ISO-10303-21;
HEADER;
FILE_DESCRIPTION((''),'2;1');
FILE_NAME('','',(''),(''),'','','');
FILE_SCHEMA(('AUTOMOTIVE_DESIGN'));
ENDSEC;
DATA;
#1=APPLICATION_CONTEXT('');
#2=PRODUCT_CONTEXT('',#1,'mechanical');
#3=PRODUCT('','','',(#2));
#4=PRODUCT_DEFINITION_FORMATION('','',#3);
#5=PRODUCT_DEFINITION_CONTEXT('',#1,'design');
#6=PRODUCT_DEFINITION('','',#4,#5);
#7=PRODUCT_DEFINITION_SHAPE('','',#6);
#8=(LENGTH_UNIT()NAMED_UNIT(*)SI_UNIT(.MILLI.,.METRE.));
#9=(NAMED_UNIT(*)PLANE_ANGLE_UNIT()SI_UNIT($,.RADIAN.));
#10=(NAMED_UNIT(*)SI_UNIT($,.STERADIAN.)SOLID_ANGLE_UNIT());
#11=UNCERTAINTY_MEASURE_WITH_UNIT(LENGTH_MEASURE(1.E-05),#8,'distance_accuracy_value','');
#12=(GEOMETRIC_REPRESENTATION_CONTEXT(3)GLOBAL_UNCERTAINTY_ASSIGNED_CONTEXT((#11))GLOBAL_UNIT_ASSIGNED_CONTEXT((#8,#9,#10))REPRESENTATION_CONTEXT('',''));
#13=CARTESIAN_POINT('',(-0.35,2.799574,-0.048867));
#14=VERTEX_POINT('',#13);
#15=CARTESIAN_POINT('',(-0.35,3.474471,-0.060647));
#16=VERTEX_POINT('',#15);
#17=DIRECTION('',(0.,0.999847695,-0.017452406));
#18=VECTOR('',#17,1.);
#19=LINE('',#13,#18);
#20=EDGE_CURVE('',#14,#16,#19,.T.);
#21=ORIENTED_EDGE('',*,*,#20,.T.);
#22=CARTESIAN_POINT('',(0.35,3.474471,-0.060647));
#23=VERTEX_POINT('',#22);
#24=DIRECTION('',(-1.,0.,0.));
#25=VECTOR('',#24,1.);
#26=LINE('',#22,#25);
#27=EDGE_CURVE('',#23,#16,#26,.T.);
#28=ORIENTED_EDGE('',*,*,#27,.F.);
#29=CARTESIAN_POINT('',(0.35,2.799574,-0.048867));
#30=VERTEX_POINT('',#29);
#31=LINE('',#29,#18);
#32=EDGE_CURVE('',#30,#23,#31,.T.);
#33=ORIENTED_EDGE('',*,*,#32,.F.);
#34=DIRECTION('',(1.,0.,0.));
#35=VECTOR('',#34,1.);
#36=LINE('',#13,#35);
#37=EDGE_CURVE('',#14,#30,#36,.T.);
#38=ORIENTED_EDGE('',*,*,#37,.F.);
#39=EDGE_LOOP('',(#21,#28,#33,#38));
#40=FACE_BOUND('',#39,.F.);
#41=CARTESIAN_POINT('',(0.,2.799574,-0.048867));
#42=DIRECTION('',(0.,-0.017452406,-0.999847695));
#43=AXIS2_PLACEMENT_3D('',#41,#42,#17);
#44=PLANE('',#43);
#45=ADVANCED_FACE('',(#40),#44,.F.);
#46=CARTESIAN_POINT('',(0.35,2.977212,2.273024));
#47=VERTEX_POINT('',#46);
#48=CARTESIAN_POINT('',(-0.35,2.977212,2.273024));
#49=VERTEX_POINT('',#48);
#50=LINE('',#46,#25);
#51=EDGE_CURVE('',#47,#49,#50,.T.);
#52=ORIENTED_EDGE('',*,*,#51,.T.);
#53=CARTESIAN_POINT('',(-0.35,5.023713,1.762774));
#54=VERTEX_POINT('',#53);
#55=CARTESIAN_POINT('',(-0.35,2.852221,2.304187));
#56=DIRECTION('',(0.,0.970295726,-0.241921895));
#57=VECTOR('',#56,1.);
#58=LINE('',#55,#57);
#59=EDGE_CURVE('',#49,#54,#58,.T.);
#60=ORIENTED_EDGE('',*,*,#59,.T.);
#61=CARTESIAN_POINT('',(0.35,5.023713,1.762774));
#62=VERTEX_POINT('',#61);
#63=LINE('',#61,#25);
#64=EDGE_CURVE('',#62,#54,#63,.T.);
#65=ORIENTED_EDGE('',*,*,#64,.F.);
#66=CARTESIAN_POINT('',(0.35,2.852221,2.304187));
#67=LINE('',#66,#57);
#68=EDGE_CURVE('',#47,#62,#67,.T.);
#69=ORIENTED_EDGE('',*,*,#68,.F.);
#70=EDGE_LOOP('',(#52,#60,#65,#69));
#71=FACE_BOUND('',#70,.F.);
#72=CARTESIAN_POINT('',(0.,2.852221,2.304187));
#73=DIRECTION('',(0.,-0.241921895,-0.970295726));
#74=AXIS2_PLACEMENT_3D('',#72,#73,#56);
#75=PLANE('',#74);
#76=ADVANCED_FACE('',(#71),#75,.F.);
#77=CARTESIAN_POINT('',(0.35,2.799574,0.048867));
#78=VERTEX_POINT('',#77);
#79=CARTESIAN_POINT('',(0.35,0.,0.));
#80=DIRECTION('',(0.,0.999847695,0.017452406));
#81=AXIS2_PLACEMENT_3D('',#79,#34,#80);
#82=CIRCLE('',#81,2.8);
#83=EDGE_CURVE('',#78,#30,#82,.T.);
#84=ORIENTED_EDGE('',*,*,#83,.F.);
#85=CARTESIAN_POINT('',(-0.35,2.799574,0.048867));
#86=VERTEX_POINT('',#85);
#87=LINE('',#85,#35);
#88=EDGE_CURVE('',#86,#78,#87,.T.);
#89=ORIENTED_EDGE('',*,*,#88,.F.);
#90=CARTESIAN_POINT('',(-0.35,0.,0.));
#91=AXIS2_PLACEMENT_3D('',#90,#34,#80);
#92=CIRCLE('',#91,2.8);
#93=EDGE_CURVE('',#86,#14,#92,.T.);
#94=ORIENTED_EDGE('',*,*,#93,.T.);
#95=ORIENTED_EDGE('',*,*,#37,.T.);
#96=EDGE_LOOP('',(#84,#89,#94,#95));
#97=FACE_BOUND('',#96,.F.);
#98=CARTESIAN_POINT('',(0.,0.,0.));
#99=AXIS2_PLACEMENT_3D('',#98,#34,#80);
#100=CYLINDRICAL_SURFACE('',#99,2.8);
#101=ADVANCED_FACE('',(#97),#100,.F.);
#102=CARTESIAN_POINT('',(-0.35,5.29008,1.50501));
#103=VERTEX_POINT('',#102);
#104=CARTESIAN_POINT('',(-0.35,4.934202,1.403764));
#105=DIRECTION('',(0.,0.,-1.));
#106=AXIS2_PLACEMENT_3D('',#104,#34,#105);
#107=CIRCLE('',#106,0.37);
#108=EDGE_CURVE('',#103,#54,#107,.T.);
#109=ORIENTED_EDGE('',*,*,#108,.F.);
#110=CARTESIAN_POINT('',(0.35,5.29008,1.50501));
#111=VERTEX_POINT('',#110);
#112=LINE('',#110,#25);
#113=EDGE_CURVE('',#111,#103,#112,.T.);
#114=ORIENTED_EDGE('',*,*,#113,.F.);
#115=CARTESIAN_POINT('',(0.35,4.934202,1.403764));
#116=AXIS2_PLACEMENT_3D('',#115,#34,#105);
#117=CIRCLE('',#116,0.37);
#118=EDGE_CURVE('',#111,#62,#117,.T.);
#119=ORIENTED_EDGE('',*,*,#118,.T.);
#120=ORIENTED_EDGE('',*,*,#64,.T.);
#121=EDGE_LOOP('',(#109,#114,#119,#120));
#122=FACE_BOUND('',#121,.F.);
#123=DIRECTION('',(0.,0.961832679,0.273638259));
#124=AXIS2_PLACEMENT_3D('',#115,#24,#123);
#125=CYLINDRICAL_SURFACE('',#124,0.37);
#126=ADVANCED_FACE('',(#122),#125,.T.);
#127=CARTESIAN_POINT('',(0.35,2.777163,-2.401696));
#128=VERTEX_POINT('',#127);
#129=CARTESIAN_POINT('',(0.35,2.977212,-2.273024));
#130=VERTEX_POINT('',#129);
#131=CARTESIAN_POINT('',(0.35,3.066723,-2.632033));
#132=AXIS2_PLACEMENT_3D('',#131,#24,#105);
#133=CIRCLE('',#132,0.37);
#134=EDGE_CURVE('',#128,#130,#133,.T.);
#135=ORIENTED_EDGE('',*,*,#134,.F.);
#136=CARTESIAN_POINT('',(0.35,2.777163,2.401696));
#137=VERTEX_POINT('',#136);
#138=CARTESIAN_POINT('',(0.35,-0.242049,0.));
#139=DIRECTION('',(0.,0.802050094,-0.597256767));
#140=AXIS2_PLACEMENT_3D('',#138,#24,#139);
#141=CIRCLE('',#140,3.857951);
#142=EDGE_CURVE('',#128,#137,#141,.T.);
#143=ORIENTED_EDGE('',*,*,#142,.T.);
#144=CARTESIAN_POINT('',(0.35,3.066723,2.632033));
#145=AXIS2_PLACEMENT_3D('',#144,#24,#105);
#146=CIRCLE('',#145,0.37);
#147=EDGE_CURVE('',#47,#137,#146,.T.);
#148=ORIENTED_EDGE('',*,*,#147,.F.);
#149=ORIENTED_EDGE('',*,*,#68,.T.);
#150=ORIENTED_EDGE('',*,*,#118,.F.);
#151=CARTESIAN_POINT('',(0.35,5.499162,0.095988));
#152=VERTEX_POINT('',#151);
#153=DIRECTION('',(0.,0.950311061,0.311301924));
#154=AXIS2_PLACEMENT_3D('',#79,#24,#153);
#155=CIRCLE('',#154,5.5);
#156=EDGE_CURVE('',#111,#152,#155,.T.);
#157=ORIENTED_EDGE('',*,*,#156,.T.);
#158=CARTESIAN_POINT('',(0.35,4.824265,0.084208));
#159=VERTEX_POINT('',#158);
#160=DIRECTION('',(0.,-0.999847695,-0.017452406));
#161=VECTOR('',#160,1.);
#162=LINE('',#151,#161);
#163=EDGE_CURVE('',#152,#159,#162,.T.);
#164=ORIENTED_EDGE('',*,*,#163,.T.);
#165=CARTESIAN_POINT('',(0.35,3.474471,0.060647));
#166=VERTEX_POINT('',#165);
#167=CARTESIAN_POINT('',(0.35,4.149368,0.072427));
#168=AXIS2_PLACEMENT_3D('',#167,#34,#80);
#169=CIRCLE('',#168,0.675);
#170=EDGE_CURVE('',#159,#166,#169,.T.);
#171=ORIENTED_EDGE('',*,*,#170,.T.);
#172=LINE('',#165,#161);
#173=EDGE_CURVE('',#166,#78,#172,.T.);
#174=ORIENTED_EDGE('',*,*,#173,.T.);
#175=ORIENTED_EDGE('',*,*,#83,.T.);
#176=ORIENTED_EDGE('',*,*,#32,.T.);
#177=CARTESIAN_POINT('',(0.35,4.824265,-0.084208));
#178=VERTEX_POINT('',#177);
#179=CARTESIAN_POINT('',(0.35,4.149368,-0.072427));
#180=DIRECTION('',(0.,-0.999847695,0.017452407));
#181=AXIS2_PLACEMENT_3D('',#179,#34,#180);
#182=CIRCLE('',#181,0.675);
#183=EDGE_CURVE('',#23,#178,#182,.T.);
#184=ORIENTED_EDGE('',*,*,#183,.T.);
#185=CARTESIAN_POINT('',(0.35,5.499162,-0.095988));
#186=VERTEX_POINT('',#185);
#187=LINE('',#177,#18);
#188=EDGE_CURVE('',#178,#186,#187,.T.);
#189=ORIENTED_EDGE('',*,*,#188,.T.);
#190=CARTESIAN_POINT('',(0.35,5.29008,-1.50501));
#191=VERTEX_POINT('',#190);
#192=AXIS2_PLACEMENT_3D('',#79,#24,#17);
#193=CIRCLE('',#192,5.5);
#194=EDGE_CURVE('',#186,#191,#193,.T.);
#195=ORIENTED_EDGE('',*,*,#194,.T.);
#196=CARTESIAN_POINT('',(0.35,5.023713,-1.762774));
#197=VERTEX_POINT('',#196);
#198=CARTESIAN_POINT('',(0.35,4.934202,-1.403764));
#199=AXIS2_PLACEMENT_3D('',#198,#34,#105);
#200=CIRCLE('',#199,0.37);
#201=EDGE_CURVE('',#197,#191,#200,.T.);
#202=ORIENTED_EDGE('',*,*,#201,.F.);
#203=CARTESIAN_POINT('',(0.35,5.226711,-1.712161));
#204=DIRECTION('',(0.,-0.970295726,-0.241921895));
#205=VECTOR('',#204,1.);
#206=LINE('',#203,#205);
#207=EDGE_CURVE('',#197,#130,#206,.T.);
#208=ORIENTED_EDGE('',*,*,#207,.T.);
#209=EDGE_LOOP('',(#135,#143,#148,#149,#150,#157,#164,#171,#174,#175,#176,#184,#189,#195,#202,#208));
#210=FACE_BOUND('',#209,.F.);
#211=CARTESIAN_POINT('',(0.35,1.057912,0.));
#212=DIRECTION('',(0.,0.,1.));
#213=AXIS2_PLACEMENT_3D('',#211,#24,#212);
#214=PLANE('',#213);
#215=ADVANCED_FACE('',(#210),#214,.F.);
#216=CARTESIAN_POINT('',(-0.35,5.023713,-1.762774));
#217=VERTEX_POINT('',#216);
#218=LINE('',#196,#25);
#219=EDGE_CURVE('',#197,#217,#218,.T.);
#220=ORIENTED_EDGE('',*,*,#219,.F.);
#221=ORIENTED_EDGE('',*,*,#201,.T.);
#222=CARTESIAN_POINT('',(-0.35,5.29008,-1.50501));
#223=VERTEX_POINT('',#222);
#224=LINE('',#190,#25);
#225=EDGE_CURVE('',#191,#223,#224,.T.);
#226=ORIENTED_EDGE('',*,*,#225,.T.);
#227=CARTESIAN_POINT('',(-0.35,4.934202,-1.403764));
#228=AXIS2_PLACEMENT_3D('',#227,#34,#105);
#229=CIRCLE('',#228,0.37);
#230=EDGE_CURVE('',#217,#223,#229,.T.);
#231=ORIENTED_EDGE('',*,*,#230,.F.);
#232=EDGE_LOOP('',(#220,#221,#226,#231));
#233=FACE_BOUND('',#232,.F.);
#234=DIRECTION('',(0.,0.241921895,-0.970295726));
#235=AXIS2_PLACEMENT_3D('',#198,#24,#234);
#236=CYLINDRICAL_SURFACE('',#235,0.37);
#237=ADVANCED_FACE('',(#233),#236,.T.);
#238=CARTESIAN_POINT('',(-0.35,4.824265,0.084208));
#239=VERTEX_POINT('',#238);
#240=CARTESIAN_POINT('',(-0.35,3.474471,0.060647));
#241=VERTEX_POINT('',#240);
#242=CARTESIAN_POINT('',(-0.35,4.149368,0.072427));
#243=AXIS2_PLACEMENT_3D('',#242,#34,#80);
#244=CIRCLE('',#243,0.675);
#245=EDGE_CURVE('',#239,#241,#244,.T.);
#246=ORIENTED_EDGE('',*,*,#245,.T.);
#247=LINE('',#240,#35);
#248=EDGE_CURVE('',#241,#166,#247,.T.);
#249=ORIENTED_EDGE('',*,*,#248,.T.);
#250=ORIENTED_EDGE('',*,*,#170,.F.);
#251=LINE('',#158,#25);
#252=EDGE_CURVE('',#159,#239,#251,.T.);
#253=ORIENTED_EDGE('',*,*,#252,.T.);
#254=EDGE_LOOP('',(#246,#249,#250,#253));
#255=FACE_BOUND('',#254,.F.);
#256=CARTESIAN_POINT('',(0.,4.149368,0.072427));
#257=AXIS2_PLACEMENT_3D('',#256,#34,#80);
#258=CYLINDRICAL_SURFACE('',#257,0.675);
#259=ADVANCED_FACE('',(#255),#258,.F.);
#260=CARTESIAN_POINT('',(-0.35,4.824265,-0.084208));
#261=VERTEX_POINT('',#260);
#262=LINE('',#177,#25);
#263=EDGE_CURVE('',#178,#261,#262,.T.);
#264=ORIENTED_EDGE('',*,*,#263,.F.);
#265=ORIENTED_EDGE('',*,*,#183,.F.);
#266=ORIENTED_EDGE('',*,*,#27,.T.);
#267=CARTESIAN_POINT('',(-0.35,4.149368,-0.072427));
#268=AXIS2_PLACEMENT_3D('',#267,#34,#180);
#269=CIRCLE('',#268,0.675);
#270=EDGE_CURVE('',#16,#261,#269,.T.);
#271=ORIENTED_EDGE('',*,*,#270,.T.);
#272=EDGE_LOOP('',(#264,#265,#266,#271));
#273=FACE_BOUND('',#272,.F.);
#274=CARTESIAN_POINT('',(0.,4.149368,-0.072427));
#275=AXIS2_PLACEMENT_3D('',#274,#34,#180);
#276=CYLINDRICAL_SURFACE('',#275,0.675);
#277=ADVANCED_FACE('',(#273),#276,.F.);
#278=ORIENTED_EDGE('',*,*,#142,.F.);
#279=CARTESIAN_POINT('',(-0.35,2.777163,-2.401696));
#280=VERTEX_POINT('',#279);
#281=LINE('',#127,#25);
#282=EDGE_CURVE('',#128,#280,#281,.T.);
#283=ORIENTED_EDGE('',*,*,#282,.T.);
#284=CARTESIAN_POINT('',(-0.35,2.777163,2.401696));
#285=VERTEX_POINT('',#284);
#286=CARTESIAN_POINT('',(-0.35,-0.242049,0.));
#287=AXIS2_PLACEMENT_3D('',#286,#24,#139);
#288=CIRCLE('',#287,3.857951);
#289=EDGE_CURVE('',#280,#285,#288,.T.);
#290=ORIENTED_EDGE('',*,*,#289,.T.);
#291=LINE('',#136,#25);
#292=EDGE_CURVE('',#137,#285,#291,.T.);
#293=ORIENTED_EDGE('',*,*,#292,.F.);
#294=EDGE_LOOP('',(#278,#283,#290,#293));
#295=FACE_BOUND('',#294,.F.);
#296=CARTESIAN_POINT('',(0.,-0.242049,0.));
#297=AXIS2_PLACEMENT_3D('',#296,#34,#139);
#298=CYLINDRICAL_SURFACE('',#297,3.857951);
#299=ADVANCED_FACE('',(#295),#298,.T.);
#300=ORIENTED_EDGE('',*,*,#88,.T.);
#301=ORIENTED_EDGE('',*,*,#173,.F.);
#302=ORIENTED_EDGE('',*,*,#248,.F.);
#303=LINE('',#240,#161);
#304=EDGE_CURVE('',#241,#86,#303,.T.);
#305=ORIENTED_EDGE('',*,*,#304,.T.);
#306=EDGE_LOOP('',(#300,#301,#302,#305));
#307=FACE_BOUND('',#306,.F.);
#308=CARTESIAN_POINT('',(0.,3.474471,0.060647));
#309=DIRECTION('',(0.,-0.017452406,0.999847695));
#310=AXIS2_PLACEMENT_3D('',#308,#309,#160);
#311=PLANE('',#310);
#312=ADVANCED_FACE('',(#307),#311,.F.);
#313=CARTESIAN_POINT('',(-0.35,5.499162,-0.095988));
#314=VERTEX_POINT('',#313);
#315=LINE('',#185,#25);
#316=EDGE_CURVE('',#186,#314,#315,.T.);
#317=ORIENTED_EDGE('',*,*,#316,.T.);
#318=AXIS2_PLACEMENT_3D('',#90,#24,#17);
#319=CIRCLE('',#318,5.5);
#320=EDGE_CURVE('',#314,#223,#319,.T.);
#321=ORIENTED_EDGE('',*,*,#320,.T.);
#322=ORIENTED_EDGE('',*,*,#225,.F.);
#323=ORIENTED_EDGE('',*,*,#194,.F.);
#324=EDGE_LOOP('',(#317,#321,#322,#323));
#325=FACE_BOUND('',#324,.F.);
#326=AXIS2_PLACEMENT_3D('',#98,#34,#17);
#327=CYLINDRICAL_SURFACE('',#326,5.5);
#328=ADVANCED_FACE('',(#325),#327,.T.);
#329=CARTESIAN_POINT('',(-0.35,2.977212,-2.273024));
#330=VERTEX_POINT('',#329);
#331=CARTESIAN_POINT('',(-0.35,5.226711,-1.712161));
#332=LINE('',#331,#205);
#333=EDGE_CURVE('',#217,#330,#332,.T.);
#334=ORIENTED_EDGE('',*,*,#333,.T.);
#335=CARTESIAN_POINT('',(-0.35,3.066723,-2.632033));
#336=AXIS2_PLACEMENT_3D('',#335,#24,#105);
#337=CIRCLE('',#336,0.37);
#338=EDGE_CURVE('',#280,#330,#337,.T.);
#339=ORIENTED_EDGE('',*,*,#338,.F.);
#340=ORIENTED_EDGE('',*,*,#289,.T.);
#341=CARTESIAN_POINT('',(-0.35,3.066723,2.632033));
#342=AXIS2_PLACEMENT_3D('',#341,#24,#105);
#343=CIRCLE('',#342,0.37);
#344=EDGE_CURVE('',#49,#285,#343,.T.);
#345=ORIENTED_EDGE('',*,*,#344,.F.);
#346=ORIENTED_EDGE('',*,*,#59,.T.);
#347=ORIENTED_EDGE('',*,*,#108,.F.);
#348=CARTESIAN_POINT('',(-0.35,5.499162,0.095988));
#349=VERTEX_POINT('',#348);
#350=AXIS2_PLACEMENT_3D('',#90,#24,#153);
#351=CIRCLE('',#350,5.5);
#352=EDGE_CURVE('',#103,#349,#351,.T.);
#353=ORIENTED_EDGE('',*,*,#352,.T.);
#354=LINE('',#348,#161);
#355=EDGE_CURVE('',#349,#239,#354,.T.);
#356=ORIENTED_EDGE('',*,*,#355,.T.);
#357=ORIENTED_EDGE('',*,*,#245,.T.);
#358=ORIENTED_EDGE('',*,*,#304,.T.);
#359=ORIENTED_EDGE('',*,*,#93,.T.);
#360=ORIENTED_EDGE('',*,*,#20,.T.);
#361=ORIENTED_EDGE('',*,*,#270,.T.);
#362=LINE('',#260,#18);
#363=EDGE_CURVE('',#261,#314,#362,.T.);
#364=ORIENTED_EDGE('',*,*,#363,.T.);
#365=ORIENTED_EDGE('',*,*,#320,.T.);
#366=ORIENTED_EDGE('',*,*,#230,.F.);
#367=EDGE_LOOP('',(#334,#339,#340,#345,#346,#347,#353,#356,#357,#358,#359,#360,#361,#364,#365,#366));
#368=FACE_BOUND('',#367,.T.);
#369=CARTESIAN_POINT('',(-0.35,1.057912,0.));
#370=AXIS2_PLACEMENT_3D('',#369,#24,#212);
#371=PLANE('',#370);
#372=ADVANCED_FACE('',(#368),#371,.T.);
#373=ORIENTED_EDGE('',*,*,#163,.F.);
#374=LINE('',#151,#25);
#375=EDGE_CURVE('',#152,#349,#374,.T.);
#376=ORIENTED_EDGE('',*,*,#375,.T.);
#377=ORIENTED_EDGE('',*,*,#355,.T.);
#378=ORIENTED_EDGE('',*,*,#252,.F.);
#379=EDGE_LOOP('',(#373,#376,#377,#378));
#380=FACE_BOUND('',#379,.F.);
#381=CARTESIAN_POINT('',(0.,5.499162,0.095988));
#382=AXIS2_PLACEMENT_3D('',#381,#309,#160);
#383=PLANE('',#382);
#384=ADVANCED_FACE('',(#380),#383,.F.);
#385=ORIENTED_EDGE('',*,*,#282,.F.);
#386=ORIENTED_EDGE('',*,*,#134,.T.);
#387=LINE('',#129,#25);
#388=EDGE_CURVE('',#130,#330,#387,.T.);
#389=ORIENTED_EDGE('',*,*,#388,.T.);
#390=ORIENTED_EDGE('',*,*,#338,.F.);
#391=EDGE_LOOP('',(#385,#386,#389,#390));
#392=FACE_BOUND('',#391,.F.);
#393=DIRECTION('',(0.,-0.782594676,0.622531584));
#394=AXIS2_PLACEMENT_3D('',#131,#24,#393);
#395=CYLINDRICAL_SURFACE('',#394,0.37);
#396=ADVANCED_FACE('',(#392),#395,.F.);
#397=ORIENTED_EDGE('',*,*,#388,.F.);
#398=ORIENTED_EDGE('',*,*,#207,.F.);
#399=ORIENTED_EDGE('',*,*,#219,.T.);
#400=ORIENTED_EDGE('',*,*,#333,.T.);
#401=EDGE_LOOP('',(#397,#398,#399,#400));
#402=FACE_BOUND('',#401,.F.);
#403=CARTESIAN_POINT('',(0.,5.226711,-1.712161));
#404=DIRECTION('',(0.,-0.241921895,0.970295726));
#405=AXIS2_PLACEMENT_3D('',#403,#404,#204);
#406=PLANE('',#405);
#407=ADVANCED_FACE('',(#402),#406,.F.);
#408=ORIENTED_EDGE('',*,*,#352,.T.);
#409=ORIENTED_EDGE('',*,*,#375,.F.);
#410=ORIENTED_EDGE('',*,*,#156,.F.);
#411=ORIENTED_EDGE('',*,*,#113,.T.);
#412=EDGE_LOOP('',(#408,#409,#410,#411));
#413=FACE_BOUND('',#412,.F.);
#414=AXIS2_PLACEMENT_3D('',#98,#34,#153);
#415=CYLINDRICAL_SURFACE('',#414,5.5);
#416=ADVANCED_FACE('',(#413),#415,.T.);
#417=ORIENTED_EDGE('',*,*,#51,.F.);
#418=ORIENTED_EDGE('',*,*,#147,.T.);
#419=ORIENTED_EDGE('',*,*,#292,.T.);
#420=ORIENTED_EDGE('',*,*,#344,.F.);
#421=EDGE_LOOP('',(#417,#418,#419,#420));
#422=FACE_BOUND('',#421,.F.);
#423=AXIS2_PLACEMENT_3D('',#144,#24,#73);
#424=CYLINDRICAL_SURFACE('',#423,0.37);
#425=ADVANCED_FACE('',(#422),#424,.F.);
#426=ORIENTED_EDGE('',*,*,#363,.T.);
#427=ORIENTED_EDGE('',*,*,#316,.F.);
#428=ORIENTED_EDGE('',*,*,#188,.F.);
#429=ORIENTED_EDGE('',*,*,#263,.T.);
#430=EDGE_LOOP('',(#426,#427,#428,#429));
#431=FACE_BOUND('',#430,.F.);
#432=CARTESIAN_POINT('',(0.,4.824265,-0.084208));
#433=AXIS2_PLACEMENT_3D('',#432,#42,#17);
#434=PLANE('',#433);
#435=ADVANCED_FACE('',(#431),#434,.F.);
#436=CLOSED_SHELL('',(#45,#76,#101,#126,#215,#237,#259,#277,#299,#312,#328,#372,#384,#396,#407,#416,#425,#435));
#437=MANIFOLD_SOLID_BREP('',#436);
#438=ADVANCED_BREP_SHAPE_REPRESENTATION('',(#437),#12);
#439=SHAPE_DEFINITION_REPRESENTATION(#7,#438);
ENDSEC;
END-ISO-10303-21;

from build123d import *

# Parameters (mm, degrees)
EXTRUDE1_DEPTH = 0.35
FILLET1_R      = 0.37


with BuildPart() as part:
    # Sketch1 → Extrude1 (new body, symmetric)
    with BuildSketch(Plane(origin=(0, 0, 0), x_dir=(0, 0, -1), z_dir=(1, 0, 0))):
        with BuildLine():
            Line((0.048866738, 2.799573546), (0.060647112, 3.474470741))
            ThreePointArc((0.060647112, 3.474470741), (0.747324681, 4.137587561), (0.084207861, 4.824265129))
            Line((0.084207861, 4.824265129), (0.095988235, 5.499162323))
            ThreePointArc((0.095988235, 5.499162323), (0.91428004, 5.423476008), (1.712160583, 5.226710834))
            Line((1.712160583, 5.226710834), (2.304187375, 2.852221062))
            ThreePointArc((2.304187375, 2.852221062), (0, -4.1), (-2.304187375, 2.852221062))
            Line((-2.304187375, 2.852221062), (-1.712160583, 5.226710834))
            ThreePointArc((-1.712160583, 5.226710834), (-0.91428004, 5.423476008), (-0.095988235, 5.499162323))
            Line((-0.095988235, 5.499162323), (-0.084207861, 4.824265129))
            ThreePointArc((-0.084207861, 4.824265129), (-0.747324681, 4.137587561), (-0.060647112, 3.474470741))
            Line((-0.060647112, 3.474470741), (-0.048866738, 2.799573546))
            ThreePointArc((-0.048866738, 2.799573546), (0, -2.8), (0.048866738, 2.799573546))
        make_face()
    extrude(amount=EXTRUDE1_DEPTH, both=True)

    # Fillet1
    fillet1_edges = [part.edges().sort_by_distance(p)[0] for p in [
        (0, 5.226710834, -1.712160583),
        (0, 2.852221062, -2.304187375),
        (0, 2.852221062, 2.304187375),
        (0, 5.226710834, 1.712160583),
    ]]
    fillet(fillet1_edges, radius=FILLET1_R)


solid = part.part
